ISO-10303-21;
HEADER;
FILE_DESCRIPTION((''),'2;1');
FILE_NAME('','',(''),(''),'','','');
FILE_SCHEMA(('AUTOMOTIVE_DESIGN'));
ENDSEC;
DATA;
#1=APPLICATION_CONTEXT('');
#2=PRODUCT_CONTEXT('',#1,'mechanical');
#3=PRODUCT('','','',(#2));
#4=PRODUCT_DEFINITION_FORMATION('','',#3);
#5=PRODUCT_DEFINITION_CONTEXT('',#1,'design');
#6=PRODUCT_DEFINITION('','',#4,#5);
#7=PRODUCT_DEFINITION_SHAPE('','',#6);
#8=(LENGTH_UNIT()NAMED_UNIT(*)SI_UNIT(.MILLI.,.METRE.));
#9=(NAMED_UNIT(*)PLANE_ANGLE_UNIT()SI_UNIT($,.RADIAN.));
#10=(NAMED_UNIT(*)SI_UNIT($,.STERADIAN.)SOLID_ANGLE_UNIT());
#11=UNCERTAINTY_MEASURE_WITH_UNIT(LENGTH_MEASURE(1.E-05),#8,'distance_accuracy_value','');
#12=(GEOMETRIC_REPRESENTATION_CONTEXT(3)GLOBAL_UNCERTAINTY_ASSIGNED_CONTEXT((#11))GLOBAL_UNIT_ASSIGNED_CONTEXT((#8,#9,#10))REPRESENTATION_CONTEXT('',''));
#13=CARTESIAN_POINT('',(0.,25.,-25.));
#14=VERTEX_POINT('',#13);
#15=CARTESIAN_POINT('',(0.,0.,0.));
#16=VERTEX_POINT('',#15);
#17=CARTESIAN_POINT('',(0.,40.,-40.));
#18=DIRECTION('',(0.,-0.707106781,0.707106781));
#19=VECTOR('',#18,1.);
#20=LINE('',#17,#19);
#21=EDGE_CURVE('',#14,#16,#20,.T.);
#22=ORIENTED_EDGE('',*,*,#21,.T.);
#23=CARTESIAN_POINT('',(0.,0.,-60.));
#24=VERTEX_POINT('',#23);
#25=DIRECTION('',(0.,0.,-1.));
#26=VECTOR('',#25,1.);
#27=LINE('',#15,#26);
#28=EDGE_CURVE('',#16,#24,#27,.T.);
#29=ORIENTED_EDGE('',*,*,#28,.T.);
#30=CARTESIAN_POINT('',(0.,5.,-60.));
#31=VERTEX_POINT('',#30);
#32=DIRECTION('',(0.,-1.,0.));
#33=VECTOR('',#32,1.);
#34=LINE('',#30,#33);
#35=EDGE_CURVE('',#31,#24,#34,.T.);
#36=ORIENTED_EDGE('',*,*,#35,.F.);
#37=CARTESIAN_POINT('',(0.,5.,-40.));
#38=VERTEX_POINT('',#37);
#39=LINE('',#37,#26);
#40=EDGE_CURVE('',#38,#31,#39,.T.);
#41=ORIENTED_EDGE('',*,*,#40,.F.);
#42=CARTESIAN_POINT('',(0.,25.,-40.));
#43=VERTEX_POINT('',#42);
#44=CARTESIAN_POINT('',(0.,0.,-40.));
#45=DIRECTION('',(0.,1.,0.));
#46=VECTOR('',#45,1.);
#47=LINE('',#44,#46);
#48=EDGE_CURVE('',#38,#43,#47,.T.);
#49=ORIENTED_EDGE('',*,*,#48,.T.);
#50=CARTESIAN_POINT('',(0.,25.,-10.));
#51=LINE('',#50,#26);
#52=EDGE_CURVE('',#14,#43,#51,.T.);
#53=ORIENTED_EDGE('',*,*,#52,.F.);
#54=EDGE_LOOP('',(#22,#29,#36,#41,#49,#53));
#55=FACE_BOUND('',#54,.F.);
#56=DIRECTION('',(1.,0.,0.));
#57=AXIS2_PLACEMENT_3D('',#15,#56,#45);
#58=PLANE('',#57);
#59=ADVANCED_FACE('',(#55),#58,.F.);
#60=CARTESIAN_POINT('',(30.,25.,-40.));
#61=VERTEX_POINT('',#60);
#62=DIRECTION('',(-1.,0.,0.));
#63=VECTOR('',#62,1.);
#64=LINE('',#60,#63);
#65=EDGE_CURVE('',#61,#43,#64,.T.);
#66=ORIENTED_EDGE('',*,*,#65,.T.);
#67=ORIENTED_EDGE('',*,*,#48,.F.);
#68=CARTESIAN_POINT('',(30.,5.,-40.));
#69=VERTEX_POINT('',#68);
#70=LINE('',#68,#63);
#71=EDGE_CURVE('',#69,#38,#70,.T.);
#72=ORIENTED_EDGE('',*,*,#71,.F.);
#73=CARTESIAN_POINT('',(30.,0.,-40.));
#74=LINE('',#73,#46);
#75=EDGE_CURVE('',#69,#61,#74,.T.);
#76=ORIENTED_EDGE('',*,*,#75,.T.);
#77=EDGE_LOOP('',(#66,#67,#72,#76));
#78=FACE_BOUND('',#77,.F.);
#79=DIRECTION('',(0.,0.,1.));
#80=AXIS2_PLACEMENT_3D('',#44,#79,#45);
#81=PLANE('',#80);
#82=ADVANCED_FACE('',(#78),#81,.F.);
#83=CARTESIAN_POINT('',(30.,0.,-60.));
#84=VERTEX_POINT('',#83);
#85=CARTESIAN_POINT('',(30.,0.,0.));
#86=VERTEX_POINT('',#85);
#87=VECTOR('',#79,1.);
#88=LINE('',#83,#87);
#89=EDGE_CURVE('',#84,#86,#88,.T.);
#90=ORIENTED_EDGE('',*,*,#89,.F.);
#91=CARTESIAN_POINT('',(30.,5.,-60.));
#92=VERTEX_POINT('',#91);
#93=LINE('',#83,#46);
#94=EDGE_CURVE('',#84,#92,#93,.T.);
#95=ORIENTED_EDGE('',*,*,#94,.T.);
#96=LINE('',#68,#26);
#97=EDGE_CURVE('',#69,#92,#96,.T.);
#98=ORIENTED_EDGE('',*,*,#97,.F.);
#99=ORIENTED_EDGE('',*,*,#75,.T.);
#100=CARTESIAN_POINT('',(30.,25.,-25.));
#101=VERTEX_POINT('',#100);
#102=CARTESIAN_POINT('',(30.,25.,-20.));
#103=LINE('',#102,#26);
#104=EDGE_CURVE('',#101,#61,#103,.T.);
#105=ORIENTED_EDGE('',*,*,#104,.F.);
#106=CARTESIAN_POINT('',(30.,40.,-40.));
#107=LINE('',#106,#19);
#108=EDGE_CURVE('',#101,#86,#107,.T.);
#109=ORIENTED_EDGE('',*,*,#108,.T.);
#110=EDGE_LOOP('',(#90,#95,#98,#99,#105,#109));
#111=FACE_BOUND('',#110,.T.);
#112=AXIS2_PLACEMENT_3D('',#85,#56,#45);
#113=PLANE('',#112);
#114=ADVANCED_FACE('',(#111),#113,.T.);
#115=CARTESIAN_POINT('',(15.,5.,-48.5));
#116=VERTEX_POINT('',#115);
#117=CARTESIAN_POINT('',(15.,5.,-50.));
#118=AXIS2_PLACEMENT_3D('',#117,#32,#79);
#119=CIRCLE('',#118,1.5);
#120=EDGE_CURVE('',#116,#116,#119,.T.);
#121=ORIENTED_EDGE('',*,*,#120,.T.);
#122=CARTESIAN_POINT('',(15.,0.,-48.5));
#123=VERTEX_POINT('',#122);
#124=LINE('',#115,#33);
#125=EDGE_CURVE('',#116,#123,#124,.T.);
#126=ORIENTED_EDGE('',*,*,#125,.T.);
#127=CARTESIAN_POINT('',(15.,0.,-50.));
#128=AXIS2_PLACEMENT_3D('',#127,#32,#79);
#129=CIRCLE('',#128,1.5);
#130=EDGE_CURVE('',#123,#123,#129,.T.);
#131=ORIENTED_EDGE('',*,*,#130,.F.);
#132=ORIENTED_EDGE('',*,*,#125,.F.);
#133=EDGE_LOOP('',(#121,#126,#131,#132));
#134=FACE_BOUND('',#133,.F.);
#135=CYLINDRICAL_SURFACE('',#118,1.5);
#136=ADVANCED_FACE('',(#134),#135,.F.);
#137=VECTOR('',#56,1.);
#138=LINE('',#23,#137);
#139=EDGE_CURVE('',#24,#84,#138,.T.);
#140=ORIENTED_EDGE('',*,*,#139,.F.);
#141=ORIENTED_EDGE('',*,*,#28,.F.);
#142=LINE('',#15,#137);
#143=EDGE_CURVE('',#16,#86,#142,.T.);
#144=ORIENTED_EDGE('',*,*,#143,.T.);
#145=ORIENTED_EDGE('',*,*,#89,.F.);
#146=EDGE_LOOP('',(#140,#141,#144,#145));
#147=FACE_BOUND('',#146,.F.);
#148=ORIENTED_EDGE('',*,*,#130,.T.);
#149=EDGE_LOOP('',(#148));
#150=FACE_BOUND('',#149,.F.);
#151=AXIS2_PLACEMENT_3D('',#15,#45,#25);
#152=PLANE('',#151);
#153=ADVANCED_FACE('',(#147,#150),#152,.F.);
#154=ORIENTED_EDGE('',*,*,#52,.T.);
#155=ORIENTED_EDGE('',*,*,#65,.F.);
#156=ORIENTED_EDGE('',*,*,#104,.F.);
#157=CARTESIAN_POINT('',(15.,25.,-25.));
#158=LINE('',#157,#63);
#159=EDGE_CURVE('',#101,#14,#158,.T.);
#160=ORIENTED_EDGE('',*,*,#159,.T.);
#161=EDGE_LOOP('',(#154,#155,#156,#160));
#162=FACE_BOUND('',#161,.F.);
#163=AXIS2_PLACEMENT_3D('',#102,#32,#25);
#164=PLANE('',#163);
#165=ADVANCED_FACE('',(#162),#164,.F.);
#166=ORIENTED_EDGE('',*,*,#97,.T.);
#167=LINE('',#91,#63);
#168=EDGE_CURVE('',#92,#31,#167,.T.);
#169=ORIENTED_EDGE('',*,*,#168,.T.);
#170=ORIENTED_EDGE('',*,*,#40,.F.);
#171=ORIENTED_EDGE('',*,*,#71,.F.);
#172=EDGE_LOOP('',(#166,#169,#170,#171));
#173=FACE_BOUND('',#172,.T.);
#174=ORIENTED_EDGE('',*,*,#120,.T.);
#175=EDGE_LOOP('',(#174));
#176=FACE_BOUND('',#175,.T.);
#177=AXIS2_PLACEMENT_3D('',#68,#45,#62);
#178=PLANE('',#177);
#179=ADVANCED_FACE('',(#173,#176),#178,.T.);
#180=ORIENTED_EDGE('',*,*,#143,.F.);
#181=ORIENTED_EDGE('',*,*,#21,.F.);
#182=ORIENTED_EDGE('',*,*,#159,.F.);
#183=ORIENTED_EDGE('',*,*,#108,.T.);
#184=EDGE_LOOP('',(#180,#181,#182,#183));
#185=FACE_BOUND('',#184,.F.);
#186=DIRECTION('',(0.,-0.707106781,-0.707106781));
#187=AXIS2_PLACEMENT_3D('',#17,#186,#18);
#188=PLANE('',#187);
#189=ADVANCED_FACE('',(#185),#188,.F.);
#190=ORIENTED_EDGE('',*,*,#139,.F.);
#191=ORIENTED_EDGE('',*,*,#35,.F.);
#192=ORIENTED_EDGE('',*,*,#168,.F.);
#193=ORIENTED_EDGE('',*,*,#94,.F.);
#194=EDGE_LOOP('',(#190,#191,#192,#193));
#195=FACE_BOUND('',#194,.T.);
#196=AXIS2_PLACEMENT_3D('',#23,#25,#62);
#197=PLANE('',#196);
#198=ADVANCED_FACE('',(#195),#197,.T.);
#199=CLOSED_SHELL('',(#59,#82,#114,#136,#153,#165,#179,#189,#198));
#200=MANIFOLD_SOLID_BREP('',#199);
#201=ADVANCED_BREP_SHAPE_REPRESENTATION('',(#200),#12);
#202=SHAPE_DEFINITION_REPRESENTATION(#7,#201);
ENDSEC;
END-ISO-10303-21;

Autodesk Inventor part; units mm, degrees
ref_plane "YZ Plane" through (0, 0, 0) normal (1, 0, 0) x (0, 1, 0)
ref_plane "XZ Plane" through (0, 0, 0) normal (0, 1, 0) x (-1, 0, 0)
ref_plane "XY Plane" through (0, 0, 0) normal (0, 0, 1) x (1, 0, 0)
sketch "Skizze1" plane through (0, 0, 0) normal (1, 0, 0) x (0, 1, 0)
  line L0 (0, 0) -> (0, -40)
  line L1 (0, -40) -> (40, -40)
  line L2 (40, -40) -> (0, 0)
  dimension "d0" = 45
  dimension "d1" = 40
extrude "Extrusion1" add sketch "Skizze1" along normal blind 30
sketch "Skizze4" plane through (0, 0, -40) normal (0, 0, -1) x (-1, 0, 0)
  line L0 (-30, 0) -> (-30, 40) projected
  line L1 (0, 0) -> (-30, 0)
  line L2 (-30, 0) -> (-30, 5)
  line L3 (-30, 5) -> (0, 5)
  line L4 (0, 5) -> (0, 0)
  dimension "d19" = 5
extrude "Extrusion2" add sketch "Skizze4" along normal blind 20
sketch "Skizze5" plane through (0, 5, -40) normal (0, 1, 0) x (1, 0, 0)
  line L0 (30, 20) -> (0, 20) construction
  line L1 (15, 20) -> (15, 0) construction
  line L2 (0, 0) -> (30, 0) construction
  line L3 (0, 0) -> (0, 20) construction
  line L4 (30, 0) -> (0, 0) construction
  line L5 (30, 0) -> (30, 20) construction
  line L6 (0, 20) -> (30, 20) construction
  line L7 (0, 0) -> (0, 20) construction
  line L8 (0, 10) -> (30, 10) construction
  point P0 (0, -40)
  point P1 (15, 10)
hole "Bohrung2" at (15, 5, -50) direction (0, -1, 0) diameter 3 end through all
sketch "Skizze6" plane through (30, 0, 0) normal (1, 0, 0) x (0, 0, -1)
  line L0 (40, 5) -> (40, 40) projected
  line L1 (40, 40) -> (20, 40)
  line L2 (20, 40) -> (20, 25)
  line L3 (20, 25) -> (40, 25)
  line L4 (40, 25) -> (40, 40)
  point P0 (0, 0)
  dimension "d29" = 15
  dimension "d30" = 20
extrude "Extrusion3" cut sketch "Skizze6" against normal through all
properties part number "spiegelhalter"
